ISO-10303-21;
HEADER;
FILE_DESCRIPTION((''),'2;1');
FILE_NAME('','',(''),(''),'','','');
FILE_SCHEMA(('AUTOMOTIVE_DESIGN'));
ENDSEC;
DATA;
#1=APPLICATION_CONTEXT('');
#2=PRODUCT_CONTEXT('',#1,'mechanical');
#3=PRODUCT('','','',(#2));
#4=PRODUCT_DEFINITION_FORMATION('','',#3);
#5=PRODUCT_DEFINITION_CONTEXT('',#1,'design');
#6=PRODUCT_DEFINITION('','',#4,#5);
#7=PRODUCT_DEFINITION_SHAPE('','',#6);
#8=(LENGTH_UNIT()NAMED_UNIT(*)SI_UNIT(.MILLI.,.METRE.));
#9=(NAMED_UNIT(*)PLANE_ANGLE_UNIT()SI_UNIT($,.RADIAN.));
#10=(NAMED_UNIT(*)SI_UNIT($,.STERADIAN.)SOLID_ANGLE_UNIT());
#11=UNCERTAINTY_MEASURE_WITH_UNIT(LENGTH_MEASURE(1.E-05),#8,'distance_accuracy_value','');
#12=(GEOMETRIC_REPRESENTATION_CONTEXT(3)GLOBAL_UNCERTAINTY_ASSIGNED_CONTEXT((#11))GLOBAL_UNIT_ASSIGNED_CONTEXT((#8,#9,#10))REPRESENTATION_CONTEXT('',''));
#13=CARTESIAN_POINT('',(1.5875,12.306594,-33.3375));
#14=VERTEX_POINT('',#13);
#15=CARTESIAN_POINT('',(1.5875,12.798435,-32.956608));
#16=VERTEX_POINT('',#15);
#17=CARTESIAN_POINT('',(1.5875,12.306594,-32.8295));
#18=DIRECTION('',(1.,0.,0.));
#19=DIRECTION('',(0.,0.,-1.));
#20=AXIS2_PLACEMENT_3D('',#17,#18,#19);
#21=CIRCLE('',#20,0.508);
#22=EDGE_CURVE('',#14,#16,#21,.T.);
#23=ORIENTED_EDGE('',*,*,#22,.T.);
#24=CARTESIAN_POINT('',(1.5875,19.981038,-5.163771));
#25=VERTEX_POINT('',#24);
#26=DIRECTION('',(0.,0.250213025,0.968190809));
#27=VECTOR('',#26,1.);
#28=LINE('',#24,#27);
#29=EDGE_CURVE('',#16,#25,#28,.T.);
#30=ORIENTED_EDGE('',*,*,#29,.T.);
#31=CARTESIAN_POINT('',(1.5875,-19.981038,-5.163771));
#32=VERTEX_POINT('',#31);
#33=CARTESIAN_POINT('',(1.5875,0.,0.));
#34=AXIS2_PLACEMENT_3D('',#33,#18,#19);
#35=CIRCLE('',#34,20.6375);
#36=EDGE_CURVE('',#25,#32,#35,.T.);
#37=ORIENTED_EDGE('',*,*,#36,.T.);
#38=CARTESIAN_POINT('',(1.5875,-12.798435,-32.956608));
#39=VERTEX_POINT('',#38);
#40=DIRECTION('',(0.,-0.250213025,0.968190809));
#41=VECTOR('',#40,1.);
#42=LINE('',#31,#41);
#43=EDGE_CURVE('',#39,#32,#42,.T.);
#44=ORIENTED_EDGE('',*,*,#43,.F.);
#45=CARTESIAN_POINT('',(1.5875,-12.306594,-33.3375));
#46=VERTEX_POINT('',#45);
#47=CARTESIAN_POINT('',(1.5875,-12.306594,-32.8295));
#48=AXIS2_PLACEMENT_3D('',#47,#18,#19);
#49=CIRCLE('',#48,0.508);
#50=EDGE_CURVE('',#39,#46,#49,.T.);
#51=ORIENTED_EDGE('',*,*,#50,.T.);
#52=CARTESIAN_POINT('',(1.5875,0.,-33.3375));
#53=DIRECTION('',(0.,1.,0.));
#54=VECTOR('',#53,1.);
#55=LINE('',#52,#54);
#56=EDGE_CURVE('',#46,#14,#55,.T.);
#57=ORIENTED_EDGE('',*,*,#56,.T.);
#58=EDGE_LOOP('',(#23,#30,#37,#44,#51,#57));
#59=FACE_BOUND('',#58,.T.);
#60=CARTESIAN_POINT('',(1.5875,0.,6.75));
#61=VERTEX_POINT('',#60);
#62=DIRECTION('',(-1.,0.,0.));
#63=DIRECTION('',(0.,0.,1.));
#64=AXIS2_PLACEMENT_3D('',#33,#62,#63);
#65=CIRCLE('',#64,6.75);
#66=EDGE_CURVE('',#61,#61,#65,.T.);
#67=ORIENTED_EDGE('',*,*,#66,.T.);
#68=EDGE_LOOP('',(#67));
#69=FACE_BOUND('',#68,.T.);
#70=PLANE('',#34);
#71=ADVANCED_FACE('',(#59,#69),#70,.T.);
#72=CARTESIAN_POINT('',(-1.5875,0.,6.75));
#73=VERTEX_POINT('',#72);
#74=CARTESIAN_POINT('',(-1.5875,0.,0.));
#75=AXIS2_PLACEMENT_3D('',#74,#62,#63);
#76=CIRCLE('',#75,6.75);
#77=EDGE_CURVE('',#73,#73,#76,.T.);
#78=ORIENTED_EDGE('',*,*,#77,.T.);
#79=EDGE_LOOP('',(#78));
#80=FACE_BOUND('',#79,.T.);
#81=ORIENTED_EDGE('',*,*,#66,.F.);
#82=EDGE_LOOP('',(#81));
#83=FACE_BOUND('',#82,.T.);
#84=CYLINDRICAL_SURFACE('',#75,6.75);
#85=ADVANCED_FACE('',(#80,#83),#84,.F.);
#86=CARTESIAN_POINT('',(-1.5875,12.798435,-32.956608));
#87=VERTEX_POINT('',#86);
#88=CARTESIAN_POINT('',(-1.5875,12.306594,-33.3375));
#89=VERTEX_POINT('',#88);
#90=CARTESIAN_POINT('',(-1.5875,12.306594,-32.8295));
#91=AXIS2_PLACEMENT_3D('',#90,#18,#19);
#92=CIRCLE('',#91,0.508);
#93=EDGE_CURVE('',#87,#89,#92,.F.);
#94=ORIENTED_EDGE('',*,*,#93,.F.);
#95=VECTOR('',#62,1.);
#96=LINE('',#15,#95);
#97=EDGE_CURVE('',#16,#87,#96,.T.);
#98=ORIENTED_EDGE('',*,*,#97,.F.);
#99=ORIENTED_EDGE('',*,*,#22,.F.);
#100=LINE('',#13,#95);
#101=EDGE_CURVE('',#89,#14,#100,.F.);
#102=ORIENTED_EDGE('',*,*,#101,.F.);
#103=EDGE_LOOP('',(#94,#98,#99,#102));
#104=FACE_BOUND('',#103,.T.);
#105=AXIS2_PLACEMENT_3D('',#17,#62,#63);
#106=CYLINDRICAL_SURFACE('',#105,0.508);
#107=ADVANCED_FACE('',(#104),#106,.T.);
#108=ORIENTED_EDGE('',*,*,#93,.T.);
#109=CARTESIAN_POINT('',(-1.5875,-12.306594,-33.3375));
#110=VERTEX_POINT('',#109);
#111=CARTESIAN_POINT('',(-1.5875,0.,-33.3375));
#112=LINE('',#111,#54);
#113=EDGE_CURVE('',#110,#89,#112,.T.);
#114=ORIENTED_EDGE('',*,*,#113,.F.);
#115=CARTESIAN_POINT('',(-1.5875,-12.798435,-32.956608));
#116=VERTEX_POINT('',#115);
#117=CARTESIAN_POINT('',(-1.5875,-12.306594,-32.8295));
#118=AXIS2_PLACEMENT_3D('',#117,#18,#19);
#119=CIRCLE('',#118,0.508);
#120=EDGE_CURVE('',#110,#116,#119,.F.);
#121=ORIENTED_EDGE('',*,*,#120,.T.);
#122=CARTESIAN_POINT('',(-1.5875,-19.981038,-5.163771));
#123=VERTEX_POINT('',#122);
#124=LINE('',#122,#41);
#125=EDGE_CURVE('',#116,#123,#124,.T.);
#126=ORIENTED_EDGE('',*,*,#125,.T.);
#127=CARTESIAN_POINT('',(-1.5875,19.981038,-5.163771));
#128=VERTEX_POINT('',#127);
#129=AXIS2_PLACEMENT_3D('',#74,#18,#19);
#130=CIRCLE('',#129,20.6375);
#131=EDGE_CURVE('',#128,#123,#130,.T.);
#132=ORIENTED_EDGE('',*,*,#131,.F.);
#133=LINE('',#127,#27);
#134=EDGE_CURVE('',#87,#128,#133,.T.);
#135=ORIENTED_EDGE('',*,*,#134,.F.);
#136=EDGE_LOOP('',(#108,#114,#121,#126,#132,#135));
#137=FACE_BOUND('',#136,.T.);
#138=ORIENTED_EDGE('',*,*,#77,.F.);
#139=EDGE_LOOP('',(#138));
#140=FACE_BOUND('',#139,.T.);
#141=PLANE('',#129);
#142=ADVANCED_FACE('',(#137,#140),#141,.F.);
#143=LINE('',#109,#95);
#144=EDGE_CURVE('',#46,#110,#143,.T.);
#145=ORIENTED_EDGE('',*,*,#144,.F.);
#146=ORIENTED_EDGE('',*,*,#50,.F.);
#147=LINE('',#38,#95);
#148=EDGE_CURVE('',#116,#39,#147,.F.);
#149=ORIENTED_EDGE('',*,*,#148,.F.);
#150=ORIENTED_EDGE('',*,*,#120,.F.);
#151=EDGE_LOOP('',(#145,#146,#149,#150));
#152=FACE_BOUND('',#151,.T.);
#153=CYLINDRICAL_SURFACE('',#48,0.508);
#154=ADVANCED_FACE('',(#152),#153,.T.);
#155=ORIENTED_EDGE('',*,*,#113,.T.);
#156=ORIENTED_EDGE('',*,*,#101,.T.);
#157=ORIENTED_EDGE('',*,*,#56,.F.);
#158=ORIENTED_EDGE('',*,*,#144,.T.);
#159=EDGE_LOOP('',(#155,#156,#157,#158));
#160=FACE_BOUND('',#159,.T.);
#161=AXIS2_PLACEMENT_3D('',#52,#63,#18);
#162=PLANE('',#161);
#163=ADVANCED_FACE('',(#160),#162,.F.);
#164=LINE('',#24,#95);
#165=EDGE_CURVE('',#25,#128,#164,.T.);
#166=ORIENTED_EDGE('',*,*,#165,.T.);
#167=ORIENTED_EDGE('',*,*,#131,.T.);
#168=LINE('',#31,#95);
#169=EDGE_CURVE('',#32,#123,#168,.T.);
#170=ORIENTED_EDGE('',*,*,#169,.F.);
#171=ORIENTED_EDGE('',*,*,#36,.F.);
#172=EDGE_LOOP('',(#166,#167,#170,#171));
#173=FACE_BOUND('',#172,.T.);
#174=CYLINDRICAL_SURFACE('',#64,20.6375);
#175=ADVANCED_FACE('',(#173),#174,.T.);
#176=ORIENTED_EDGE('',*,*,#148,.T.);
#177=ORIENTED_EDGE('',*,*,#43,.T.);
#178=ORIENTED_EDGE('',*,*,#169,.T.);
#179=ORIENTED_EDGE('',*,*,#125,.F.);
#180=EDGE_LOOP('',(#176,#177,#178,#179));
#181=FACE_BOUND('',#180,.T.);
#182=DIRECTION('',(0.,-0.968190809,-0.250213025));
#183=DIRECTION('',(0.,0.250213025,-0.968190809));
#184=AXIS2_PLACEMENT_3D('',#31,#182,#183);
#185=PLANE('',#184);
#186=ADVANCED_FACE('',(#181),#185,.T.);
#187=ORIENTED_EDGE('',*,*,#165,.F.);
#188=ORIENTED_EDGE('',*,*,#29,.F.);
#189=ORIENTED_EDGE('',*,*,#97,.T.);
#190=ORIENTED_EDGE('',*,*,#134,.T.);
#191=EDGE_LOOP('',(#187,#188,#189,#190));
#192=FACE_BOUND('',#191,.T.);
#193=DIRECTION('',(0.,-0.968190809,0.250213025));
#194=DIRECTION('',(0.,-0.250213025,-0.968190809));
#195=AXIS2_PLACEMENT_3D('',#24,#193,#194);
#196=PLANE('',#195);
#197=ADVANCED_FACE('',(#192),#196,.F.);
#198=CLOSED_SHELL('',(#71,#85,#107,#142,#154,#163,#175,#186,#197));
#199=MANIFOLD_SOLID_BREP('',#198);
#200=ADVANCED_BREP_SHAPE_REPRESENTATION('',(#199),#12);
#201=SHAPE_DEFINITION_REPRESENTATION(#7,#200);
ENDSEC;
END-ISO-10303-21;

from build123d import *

# Parameters (mm, degrees)
SKETCH1_R             = 6.749999962
BOSS_EXTRUDE1_DEPTH   = 1.5875
FILLET1_R             = 0.508
FILLET2_R             = 0.508
M12_CLEARANCE_HOLE1_D = 13.5


with BuildPart() as part:
    # Sketch1 → Boss-Extrude1 (new, symmetric)
    # profile 1 of 2: a face of its own
    with BuildSketch(Plane(origin=(0, 0, 0), x_dir=(0, 0, -1), z_dir=(1, 0, 0))):
        with BuildLine():
            Line((33.3375, -12.7), (5.163771309, -19.981037814))
            ThreePointArc((5.163771309, -19.981037814), (-20.6375, 0), (5.163771309, 19.981037814))
            Line((5.163771309, 19.981037814), (33.3375, 12.7))
            Line((33.3375, 12.7), (33.3375, -12.7))
        make_face()
        Circle(SKETCH1_R, mode=Mode.SUBTRACT)
    # profile 2 of 2: a face of its own
    with BuildSketch(Plane(origin=(0, 0, 0), x_dir=(0, 0, -1), z_dir=(1, 0, 0))):
        Circle(SKETCH1_R)
    extrude(amount=BOSS_EXTRUDE1_DEPTH, both=True)

    # Fillet1
    fillet1_edges = [part.edges().sort_by_distance(p)[0] for p in [
        (0, -12.7, -33.3375),
    ]]
    fillet(fillet1_edges, radius=FILLET1_R)

    # Fillet2
    fillet2_edges = [part.edges().sort_by_distance(p)[0] for p in [
        (0, 12.7, -33.3375),
    ]]
    fillet(fillet2_edges, radius=FILLET2_R)

    # M12 Clearance Hole1 (through all)
    with Locations(Plane.ZY.offset(1.5875)):
        with Locations((0, 0)):
            Hole(M12_CLEARANCE_HOLE1_D / 2)


solid = part.part
